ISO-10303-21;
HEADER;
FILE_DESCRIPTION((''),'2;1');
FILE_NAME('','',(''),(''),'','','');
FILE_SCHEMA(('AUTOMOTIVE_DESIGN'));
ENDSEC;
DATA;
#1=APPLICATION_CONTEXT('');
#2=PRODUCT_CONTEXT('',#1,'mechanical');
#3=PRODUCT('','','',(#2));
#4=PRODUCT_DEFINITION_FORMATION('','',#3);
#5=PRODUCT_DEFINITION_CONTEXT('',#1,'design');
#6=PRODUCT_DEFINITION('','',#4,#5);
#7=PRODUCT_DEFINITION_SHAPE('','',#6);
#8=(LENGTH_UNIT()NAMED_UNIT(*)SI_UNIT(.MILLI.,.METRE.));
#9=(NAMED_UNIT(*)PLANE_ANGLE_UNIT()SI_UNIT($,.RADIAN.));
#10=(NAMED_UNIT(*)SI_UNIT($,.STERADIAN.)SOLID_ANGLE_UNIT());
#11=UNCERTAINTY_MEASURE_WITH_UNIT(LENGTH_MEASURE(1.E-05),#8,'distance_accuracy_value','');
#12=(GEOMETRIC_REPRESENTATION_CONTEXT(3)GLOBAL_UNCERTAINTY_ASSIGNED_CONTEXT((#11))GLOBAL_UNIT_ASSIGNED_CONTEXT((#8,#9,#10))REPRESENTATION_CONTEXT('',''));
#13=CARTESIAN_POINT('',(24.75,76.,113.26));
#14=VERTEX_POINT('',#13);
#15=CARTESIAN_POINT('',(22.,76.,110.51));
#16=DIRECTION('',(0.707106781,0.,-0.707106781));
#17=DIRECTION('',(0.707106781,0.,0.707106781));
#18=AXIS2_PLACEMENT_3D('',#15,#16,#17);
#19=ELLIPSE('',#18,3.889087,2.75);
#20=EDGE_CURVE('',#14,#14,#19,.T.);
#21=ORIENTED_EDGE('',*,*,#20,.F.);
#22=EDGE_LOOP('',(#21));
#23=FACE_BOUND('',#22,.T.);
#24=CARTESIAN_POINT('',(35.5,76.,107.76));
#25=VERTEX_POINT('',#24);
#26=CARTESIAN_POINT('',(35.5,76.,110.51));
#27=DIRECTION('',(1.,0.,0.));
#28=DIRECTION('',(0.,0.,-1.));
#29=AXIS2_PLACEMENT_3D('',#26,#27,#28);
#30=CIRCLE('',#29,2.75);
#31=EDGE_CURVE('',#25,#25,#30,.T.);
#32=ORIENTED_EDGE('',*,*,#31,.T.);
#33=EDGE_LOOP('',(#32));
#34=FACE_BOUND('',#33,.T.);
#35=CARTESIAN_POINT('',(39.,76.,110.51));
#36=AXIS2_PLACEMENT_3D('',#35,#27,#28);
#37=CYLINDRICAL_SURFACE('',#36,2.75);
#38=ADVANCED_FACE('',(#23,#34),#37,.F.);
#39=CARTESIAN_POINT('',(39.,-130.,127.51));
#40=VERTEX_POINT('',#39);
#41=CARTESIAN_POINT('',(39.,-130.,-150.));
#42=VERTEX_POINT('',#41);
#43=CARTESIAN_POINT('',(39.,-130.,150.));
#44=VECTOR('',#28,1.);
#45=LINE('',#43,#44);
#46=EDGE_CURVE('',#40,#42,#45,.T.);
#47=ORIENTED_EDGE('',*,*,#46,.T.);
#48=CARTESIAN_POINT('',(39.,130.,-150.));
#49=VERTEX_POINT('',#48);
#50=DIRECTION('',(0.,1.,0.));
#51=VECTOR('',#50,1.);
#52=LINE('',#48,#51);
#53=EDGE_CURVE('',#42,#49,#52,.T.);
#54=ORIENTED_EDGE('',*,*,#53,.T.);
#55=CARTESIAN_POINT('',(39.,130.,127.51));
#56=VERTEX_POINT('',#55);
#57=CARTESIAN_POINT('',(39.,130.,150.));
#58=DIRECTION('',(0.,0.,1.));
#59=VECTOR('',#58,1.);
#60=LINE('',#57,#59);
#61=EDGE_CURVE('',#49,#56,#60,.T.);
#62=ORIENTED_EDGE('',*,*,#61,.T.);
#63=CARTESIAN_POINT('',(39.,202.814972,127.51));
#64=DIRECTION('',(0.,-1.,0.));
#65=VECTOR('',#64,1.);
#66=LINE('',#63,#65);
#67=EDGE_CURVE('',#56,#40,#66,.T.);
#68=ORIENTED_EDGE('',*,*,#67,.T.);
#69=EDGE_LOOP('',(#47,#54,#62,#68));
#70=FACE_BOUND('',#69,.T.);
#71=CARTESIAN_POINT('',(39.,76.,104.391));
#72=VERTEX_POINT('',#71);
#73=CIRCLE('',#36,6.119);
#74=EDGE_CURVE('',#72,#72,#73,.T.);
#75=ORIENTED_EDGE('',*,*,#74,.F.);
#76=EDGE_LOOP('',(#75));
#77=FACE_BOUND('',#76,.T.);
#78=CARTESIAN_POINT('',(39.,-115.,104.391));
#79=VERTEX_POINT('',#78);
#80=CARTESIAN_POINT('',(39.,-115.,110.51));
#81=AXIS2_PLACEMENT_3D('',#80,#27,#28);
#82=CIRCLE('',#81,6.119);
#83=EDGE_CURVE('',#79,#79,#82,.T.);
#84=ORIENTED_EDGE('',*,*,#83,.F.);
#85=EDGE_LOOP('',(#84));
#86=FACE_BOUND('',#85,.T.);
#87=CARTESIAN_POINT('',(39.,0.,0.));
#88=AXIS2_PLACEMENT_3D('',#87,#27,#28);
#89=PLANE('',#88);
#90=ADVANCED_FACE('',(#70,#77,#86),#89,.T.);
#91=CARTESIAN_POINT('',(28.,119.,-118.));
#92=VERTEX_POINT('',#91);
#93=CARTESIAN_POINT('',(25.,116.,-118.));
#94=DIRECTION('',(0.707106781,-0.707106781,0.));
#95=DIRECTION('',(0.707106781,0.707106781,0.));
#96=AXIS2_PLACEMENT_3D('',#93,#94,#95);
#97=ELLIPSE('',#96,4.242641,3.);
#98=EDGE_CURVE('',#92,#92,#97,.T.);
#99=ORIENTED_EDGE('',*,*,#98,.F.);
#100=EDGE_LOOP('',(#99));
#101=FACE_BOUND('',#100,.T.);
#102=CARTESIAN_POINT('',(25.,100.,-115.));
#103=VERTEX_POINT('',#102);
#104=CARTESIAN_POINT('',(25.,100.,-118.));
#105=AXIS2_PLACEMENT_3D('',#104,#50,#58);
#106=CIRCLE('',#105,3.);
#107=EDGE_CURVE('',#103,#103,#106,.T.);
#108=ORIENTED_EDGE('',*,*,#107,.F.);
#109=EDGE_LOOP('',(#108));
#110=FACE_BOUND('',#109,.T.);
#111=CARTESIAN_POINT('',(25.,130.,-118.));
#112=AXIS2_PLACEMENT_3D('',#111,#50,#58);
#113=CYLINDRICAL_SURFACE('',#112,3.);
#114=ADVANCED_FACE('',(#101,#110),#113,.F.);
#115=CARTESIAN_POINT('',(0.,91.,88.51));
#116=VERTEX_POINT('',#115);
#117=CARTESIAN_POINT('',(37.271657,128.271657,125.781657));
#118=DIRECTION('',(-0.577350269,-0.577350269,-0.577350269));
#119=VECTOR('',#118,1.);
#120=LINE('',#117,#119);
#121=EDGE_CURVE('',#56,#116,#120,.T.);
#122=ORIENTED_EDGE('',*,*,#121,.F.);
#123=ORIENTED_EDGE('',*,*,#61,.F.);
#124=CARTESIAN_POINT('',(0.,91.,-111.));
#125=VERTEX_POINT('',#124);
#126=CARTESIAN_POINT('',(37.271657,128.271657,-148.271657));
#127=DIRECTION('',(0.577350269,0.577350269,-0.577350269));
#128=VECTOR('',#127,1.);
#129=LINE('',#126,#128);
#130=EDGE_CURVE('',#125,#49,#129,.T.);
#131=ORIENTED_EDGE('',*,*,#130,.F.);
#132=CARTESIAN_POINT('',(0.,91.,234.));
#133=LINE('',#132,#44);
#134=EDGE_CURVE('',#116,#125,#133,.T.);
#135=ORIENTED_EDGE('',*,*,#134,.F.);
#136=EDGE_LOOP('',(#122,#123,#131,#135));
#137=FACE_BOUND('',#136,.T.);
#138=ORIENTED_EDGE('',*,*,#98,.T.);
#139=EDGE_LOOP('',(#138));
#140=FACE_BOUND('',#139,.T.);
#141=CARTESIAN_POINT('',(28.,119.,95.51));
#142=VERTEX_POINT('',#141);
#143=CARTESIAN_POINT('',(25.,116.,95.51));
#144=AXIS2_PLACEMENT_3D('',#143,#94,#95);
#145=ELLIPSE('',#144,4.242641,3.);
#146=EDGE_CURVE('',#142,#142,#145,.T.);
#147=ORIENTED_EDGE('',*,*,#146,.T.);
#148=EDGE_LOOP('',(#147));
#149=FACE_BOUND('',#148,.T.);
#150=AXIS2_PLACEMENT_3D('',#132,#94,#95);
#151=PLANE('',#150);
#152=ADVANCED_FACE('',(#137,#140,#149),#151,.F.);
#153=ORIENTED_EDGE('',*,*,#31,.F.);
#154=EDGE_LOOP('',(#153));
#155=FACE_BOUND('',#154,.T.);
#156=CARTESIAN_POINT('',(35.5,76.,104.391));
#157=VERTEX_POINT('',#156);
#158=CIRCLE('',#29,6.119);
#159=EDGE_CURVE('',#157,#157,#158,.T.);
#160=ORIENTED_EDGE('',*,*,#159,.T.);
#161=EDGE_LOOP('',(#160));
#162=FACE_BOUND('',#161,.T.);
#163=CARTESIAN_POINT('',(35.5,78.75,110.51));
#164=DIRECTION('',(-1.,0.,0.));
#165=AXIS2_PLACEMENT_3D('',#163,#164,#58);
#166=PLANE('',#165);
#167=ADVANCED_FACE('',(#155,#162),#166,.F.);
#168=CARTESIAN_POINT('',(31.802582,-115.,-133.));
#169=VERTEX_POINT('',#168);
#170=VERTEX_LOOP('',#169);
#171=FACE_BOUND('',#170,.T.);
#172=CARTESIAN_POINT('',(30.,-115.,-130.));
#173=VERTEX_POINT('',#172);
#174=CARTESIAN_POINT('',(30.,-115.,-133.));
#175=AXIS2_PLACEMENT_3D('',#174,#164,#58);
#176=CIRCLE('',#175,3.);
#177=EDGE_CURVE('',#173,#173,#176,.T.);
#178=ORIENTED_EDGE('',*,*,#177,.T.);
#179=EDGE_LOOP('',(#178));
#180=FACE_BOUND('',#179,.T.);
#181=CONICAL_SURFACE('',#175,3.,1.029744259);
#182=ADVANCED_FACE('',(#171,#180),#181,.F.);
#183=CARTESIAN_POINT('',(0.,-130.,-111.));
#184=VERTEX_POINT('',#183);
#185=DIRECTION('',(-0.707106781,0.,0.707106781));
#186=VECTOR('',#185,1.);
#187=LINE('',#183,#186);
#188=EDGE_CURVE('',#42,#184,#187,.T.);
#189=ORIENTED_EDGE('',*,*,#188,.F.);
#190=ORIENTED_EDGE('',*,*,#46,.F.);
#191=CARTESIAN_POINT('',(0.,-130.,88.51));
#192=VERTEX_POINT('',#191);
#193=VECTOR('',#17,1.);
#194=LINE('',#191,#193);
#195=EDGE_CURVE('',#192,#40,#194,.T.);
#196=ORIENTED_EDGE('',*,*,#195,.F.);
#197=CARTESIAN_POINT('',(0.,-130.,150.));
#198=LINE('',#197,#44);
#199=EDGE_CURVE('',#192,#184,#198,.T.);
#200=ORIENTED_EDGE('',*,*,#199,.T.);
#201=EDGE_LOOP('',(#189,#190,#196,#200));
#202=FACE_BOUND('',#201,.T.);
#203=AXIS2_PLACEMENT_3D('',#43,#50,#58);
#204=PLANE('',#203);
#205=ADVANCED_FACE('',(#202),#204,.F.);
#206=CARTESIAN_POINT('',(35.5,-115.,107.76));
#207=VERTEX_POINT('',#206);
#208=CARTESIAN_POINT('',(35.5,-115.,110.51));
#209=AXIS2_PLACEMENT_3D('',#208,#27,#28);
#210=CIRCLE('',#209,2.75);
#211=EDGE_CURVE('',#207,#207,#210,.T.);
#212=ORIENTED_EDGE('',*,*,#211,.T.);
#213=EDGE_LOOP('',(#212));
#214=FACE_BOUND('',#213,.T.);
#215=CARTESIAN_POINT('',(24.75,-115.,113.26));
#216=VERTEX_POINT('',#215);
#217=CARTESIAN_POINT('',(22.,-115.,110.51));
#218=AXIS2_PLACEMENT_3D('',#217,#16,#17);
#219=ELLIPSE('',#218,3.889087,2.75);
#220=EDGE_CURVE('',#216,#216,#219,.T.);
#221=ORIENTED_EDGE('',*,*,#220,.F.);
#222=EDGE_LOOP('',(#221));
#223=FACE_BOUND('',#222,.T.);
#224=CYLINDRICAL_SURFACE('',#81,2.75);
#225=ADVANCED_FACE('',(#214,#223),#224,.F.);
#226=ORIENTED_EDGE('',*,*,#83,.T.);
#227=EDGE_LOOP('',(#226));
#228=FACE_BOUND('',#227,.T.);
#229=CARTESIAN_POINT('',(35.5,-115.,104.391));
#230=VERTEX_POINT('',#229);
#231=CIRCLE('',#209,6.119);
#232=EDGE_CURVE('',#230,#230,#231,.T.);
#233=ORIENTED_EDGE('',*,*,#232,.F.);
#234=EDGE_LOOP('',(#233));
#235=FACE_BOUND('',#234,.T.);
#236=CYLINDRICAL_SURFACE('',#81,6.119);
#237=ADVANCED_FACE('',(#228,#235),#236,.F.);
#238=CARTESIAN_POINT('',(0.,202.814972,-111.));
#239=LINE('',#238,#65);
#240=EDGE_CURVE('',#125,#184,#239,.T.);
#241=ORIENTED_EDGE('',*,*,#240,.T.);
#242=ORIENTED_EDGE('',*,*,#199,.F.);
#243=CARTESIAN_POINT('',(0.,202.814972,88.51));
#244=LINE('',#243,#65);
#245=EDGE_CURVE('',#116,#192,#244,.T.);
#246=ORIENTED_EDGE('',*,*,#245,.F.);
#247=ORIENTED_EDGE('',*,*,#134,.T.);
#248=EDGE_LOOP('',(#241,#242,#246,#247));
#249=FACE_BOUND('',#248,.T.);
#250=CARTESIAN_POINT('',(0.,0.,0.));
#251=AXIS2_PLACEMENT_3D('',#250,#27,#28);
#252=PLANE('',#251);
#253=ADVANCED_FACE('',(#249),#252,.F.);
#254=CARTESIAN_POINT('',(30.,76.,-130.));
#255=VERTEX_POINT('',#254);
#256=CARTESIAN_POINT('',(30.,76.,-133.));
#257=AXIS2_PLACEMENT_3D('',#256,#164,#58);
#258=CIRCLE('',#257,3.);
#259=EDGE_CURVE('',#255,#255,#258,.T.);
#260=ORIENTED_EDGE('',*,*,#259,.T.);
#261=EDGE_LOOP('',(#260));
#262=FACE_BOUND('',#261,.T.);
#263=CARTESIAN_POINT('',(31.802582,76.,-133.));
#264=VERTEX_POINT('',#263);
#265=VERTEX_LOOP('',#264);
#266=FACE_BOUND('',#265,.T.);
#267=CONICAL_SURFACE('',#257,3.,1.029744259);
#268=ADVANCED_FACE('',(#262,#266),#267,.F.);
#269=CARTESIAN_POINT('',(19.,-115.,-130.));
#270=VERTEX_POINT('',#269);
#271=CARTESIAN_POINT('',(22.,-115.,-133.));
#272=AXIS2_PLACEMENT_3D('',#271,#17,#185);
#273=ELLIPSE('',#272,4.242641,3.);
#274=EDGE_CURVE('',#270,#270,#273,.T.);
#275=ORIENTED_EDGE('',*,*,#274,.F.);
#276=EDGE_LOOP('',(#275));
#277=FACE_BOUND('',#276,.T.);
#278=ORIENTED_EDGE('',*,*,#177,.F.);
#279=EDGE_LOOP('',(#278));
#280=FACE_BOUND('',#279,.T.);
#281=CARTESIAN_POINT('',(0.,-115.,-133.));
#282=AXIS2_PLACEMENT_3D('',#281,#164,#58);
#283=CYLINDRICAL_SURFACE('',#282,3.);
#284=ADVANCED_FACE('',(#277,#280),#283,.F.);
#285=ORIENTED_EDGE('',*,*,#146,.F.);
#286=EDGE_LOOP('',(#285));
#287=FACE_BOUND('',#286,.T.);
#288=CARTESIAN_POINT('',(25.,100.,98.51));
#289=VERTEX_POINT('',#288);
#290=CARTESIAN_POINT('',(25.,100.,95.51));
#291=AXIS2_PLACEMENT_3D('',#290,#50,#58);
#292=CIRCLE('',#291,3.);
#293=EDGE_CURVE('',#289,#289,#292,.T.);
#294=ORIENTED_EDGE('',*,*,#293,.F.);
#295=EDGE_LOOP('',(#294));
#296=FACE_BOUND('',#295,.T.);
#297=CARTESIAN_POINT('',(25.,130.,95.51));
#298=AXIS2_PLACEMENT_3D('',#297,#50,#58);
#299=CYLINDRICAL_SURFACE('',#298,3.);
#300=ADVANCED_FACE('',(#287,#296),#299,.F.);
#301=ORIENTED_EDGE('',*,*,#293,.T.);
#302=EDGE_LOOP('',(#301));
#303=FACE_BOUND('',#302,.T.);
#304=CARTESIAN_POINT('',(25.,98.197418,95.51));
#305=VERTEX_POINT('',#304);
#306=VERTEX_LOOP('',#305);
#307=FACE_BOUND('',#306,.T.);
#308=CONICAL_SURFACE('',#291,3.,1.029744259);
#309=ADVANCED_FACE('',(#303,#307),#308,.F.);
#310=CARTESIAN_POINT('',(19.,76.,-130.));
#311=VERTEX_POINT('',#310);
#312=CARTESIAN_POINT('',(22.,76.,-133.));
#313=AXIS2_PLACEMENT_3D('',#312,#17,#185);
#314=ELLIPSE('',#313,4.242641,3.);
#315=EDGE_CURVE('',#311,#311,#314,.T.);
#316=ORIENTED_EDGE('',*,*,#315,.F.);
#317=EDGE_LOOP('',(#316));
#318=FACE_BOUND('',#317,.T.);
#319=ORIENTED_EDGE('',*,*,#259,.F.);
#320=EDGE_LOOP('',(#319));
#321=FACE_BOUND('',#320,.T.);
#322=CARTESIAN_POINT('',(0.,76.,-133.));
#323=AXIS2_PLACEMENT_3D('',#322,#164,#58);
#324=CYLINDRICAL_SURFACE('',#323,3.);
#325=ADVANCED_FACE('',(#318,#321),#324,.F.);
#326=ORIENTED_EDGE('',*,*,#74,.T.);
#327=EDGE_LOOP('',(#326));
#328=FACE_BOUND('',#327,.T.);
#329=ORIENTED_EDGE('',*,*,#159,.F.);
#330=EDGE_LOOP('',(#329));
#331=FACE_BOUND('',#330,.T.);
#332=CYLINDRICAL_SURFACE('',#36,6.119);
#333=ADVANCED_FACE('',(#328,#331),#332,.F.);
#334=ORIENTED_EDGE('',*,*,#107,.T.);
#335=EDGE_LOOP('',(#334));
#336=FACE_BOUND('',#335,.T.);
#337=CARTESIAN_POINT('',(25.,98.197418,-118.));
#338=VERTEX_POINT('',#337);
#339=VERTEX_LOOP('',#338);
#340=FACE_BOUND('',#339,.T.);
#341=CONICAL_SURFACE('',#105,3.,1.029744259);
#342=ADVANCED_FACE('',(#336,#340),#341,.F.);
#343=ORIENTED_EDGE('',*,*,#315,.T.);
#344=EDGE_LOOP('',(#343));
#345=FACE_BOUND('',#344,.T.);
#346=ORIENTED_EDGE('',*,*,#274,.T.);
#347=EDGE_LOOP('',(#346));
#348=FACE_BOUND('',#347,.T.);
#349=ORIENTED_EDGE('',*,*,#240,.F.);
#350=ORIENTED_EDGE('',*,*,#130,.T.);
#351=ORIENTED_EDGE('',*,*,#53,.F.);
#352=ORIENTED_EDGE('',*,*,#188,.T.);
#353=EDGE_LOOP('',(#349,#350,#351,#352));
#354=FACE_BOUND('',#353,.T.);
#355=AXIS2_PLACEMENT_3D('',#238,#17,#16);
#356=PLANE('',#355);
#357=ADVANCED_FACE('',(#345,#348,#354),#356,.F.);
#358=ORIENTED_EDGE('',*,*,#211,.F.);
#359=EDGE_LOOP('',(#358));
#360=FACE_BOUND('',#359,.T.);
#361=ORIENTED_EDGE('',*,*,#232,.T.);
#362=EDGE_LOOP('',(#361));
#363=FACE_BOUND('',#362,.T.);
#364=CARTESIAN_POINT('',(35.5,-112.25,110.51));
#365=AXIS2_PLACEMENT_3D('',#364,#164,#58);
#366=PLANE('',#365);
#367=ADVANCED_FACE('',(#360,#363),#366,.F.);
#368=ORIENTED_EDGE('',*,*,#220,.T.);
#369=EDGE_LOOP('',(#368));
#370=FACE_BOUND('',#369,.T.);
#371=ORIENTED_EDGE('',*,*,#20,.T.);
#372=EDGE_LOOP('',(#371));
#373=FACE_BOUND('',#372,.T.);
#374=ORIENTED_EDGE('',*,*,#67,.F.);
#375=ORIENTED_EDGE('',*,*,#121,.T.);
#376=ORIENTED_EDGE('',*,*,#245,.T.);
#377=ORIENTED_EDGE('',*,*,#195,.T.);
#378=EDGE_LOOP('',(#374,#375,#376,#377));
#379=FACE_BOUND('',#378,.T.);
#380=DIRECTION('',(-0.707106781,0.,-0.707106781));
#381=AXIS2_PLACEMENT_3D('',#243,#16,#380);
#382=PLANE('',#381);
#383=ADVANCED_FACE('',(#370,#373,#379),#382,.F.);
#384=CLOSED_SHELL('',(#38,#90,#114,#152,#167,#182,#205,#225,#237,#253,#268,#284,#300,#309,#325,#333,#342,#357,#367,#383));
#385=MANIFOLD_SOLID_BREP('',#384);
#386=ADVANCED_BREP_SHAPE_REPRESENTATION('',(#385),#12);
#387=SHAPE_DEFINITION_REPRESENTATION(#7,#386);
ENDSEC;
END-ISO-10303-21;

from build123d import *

# Parameters (mm, degrees)
SKETCH1_W                               = 300
SKETCH1_H                               = 260
BOSS_EXTRUDE1_DEPTH                     = 39
CUT_EXTRUDE1_DEPTH                      = 260
CUT_EXTRUDE2_DEPTH                      = 384
F_6_0MM_DOWEL_HOLE1_D                   = 6
F_6_0MM_DOWEL_HOLE1_DEPTH               = 30
F_6_0MM_DOWEL_HOLE1_TIP                 = 1.802581857
CBORE_FOR_M5_HEX_HEAD_BOLT1_D           = 5.5
CBORE_FOR_M5_HEX_HEAD_BOLT1_DEPTH       = 30
CBORE_FOR_M5_HEX_HEAD_BOLT1_CBORE_D     = 12.238
CBORE_FOR_M5_HEX_HEAD_BOLT1_CBORE_DEPTH = 3.5
CBORE_FOR_M5_HEX_HEAD_BOLT1_TIP         = 1.652366702
F_6_0MM_DOWEL_HOLE2_D                   = 6
F_6_0MM_DOWEL_HOLE2_DEPTH               = 30
F_6_0MM_DOWEL_HOLE2_TIP                 = 1.802581857


with BuildPart() as part:
    # Sketch1 → Boss-Extrude1 (new body)
    with BuildSketch(Plane(origin=(0, 0, 0), x_dir=(0, 0, -1), z_dir=(1, 0, 0))):
        Rectangle(SKETCH1_W, SKETCH1_H)
    extrude(amount=BOSS_EXTRUDE1_DEPTH)

    # Sketch3 → Cut-Extrude1 (cut)
    with BuildSketch(Plane(origin=(0, -130, 0), x_dir=(-1, 0, 0), z_dir=(0, -1, 0))):
        Polygon((-39, 150), (0, 150), (0, 111), align=None)
        Polygon((0, -127.51), (0, -88.51), (-39, -127.51), (-39, -150), (0, -150), align=None)
    extrude(amount=-CUT_EXTRUDE1_DEPTH, mode=Mode.SUBTRACT)

    # Sketch5 → Cut-Extrude2 (cut)
    with BuildSketch(Plane(origin=(0, 0, -150), x_dir=(-1, 0, 0), z_dir=(0, 0, -1))):
        Polygon((-39, 130), (0, 130), (0, 91), align=None)
    extrude(amount=-CUT_EXTRUDE2_DEPTH, mode=Mode.SUBTRACT)

    # Ø6.0mm Dowel Hole1
    with Locations(Plane.ZY):
        with Locations((-133, -115), (-133, 76)):
            Hole(F_6_0MM_DOWEL_HOLE1_D / 2, depth=F_6_0MM_DOWEL_HOLE1_DEPTH)
            with Locations((0, 0, -(F_6_0MM_DOWEL_HOLE1_DEPTH + F_6_0MM_DOWEL_HOLE1_TIP / 2))):  # 118° drill point
                Cone(0, F_6_0MM_DOWEL_HOLE1_D / 2, F_6_0MM_DOWEL_HOLE1_TIP, mode=Mode.SUBTRACT)

    # CBORE for M5 Hex Head Bolt1
    with Locations(Plane(origin=(39, 0, 0), x_dir=(0, 0, -1), z_dir=(1, 0, 0))):
        with Locations((-110.51, -115), (-110.51, 76)):
            CounterBoreHole(CBORE_FOR_M5_HEX_HEAD_BOLT1_D / 2, CBORE_FOR_M5_HEX_HEAD_BOLT1_CBORE_D / 2, CBORE_FOR_M5_HEX_HEAD_BOLT1_CBORE_DEPTH, depth=CBORE_FOR_M5_HEX_HEAD_BOLT1_DEPTH)
            with Locations((0, 0, -(CBORE_FOR_M5_HEX_HEAD_BOLT1_DEPTH + CBORE_FOR_M5_HEX_HEAD_BOLT1_TIP / 2))):  # 118° drill point
                Cone(0, CBORE_FOR_M5_HEX_HEAD_BOLT1_D / 2, CBORE_FOR_M5_HEX_HEAD_BOLT1_TIP, mode=Mode.SUBTRACT)

    # Ø6.0mm Dowel Hole2
    with Locations(Plane(origin=(0, 130, 0), x_dir=(1, 0, 0), z_dir=(0, 1, 0))):
        with Locations((25, -95.51), (25, 118)):
            Hole(F_6_0MM_DOWEL_HOLE2_D / 2, depth=F_6_0MM_DOWEL_HOLE2_DEPTH)
            with Locations((0, 0, -(F_6_0MM_DOWEL_HOLE2_DEPTH + F_6_0MM_DOWEL_HOLE2_TIP / 2))):  # 118° drill point
                Cone(0, F_6_0MM_DOWEL_HOLE2_D / 2, F_6_0MM_DOWEL_HOLE2_TIP, mode=Mode.SUBTRACT)


solid = part.part
